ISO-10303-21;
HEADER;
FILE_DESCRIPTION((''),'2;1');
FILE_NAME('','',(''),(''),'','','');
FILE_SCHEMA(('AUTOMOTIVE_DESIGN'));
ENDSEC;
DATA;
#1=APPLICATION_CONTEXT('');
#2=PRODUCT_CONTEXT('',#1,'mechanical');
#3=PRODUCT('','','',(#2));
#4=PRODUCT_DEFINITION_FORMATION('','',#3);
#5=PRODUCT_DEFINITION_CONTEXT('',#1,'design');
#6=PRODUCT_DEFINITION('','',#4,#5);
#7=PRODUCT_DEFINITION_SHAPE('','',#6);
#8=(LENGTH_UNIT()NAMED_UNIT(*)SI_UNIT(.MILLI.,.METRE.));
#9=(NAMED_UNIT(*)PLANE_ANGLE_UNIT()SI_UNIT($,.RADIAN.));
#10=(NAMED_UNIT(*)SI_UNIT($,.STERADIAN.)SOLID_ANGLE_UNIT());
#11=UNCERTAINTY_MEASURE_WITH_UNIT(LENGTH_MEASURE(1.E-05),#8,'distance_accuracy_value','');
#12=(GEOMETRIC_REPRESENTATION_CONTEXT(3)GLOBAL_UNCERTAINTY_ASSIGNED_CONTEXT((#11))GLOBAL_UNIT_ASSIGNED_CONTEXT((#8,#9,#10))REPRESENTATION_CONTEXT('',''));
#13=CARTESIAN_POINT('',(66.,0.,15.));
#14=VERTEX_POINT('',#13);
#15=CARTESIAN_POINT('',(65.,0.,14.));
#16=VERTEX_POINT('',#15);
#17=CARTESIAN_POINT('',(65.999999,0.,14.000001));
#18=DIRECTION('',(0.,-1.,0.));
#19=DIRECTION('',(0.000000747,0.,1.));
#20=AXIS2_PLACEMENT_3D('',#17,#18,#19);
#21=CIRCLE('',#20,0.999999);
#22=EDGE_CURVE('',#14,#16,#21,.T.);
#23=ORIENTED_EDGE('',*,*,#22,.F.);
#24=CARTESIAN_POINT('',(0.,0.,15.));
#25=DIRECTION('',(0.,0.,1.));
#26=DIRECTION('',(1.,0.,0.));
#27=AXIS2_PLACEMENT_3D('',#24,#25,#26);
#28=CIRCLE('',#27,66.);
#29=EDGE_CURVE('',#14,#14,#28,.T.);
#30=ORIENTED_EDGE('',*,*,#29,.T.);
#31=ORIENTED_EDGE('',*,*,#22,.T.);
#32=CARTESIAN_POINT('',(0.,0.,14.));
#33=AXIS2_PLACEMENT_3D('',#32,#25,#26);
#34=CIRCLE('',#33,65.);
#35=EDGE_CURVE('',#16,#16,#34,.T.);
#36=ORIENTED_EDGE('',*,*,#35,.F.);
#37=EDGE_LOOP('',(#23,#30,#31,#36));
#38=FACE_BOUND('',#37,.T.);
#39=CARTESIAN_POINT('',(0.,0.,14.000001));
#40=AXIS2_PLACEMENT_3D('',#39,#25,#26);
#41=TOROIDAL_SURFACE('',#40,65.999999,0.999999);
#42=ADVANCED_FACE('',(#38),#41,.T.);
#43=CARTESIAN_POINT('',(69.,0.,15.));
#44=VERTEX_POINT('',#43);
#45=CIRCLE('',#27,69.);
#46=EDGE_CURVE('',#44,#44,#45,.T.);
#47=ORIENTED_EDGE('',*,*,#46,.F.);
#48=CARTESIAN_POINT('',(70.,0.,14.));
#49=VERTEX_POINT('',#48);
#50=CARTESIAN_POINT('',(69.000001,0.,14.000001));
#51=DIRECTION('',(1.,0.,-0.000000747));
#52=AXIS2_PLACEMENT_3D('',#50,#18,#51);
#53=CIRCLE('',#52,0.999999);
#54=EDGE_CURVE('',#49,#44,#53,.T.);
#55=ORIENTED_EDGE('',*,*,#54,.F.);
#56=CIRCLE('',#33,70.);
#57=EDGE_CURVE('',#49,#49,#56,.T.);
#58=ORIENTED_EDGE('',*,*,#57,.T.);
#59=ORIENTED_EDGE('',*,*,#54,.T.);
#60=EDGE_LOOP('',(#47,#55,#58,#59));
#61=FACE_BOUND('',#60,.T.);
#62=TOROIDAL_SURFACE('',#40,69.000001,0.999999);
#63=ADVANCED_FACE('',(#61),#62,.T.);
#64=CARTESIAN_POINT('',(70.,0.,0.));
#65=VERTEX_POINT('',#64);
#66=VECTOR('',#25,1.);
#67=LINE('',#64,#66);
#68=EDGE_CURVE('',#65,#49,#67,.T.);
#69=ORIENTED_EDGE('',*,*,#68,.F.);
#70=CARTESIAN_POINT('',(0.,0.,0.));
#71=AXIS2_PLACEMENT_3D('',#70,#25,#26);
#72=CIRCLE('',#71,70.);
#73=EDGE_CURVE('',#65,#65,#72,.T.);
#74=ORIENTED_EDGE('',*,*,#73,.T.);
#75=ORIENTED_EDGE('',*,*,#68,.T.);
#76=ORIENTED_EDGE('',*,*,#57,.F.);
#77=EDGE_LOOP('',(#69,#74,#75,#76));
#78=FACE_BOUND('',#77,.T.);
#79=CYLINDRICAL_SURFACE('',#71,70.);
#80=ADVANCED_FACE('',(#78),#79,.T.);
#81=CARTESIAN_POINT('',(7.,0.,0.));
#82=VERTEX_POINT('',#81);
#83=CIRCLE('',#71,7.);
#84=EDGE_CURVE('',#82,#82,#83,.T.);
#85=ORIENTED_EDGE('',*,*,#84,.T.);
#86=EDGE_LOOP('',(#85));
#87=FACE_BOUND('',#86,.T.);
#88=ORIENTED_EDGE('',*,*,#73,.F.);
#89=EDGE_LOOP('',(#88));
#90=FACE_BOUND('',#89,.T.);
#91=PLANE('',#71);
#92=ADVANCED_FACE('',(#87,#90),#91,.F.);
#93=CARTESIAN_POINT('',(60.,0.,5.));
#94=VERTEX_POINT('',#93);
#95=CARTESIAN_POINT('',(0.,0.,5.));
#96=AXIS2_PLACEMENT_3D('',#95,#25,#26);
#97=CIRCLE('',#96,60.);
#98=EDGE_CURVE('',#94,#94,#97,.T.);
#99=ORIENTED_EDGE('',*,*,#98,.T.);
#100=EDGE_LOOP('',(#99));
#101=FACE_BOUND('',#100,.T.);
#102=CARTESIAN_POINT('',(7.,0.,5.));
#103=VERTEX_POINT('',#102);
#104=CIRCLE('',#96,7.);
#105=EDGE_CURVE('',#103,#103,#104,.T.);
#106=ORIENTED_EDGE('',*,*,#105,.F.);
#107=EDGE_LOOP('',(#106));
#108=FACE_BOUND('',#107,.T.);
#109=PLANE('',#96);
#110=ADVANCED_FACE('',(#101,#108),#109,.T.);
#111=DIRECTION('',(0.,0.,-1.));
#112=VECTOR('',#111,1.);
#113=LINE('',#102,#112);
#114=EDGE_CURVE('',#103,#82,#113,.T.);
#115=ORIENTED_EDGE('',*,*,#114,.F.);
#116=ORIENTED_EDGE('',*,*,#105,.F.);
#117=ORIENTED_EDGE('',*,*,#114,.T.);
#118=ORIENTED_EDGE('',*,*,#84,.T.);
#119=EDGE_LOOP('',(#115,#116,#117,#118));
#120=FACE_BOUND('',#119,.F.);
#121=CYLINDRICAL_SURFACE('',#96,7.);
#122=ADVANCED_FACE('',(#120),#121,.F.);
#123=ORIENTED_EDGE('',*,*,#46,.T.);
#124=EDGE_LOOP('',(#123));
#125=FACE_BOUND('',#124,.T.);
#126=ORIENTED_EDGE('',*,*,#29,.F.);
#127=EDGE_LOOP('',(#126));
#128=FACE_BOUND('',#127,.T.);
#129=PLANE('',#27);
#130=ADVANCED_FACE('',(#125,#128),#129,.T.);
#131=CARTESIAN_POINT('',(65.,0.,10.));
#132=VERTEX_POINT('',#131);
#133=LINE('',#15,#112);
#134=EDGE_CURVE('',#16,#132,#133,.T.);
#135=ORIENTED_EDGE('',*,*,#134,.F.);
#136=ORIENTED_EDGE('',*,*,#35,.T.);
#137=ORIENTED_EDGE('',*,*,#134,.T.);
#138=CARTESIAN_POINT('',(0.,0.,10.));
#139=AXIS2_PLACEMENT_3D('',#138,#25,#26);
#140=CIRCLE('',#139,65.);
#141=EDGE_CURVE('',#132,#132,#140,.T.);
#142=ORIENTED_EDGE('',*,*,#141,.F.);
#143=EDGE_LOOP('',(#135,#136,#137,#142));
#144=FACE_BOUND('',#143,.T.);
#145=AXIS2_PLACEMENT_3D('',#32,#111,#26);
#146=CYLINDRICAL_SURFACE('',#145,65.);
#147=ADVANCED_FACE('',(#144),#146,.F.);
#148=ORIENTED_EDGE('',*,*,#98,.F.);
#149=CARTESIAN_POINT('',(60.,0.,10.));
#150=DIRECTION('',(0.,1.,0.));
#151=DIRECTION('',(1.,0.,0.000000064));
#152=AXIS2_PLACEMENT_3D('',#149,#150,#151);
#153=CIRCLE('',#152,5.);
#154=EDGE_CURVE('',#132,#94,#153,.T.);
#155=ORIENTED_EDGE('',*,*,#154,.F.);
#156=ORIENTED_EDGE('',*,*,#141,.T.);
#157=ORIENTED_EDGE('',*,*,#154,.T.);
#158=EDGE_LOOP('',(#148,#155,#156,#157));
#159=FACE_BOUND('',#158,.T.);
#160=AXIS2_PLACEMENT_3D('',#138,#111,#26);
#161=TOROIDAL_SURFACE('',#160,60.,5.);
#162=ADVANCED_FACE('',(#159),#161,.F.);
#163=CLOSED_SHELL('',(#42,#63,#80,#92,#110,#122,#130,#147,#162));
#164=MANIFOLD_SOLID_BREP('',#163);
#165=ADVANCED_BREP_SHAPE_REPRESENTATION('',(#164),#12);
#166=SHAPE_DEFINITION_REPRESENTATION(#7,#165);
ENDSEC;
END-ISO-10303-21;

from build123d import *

# Parameters (mm, degrees)
F2_R     = 7
F3_DEPTH = 25


with BuildPart() as f1:
    # F0 (on Front) → F1 (revolve)
    with BuildSketch(Plane.XZ):
        with BuildLine():
            Line((0, 5), (0, 0))
            Line((0, 0), (70, 0))
            Line((70, 0), (70, 14))
            ThreePointArc((70, 14), (69.707107, 14.707107), (69, 15))
            Line((69, 15), (66, 15))
            ThreePointArc((66, 15), (65.292893, 14.707107), (65, 14))
            Line((65, 14), (65, 10))
            ThreePointArc((65, 10), (63.535534, 6.464466), (60, 5))
            Line((60, 5), (0, 5))
        make_face()
    revolve(axis=Axis((0, 0, 10.200065), (0, 0, 1)))

    # F2 (on face) → F3 (cut)
    with BuildSketch(Plane.XY.offset(5)):
        Circle(F2_R)
    extrude(amount=-F3_DEPTH, mode=Mode.SUBTRACT)


solid = f1.part
